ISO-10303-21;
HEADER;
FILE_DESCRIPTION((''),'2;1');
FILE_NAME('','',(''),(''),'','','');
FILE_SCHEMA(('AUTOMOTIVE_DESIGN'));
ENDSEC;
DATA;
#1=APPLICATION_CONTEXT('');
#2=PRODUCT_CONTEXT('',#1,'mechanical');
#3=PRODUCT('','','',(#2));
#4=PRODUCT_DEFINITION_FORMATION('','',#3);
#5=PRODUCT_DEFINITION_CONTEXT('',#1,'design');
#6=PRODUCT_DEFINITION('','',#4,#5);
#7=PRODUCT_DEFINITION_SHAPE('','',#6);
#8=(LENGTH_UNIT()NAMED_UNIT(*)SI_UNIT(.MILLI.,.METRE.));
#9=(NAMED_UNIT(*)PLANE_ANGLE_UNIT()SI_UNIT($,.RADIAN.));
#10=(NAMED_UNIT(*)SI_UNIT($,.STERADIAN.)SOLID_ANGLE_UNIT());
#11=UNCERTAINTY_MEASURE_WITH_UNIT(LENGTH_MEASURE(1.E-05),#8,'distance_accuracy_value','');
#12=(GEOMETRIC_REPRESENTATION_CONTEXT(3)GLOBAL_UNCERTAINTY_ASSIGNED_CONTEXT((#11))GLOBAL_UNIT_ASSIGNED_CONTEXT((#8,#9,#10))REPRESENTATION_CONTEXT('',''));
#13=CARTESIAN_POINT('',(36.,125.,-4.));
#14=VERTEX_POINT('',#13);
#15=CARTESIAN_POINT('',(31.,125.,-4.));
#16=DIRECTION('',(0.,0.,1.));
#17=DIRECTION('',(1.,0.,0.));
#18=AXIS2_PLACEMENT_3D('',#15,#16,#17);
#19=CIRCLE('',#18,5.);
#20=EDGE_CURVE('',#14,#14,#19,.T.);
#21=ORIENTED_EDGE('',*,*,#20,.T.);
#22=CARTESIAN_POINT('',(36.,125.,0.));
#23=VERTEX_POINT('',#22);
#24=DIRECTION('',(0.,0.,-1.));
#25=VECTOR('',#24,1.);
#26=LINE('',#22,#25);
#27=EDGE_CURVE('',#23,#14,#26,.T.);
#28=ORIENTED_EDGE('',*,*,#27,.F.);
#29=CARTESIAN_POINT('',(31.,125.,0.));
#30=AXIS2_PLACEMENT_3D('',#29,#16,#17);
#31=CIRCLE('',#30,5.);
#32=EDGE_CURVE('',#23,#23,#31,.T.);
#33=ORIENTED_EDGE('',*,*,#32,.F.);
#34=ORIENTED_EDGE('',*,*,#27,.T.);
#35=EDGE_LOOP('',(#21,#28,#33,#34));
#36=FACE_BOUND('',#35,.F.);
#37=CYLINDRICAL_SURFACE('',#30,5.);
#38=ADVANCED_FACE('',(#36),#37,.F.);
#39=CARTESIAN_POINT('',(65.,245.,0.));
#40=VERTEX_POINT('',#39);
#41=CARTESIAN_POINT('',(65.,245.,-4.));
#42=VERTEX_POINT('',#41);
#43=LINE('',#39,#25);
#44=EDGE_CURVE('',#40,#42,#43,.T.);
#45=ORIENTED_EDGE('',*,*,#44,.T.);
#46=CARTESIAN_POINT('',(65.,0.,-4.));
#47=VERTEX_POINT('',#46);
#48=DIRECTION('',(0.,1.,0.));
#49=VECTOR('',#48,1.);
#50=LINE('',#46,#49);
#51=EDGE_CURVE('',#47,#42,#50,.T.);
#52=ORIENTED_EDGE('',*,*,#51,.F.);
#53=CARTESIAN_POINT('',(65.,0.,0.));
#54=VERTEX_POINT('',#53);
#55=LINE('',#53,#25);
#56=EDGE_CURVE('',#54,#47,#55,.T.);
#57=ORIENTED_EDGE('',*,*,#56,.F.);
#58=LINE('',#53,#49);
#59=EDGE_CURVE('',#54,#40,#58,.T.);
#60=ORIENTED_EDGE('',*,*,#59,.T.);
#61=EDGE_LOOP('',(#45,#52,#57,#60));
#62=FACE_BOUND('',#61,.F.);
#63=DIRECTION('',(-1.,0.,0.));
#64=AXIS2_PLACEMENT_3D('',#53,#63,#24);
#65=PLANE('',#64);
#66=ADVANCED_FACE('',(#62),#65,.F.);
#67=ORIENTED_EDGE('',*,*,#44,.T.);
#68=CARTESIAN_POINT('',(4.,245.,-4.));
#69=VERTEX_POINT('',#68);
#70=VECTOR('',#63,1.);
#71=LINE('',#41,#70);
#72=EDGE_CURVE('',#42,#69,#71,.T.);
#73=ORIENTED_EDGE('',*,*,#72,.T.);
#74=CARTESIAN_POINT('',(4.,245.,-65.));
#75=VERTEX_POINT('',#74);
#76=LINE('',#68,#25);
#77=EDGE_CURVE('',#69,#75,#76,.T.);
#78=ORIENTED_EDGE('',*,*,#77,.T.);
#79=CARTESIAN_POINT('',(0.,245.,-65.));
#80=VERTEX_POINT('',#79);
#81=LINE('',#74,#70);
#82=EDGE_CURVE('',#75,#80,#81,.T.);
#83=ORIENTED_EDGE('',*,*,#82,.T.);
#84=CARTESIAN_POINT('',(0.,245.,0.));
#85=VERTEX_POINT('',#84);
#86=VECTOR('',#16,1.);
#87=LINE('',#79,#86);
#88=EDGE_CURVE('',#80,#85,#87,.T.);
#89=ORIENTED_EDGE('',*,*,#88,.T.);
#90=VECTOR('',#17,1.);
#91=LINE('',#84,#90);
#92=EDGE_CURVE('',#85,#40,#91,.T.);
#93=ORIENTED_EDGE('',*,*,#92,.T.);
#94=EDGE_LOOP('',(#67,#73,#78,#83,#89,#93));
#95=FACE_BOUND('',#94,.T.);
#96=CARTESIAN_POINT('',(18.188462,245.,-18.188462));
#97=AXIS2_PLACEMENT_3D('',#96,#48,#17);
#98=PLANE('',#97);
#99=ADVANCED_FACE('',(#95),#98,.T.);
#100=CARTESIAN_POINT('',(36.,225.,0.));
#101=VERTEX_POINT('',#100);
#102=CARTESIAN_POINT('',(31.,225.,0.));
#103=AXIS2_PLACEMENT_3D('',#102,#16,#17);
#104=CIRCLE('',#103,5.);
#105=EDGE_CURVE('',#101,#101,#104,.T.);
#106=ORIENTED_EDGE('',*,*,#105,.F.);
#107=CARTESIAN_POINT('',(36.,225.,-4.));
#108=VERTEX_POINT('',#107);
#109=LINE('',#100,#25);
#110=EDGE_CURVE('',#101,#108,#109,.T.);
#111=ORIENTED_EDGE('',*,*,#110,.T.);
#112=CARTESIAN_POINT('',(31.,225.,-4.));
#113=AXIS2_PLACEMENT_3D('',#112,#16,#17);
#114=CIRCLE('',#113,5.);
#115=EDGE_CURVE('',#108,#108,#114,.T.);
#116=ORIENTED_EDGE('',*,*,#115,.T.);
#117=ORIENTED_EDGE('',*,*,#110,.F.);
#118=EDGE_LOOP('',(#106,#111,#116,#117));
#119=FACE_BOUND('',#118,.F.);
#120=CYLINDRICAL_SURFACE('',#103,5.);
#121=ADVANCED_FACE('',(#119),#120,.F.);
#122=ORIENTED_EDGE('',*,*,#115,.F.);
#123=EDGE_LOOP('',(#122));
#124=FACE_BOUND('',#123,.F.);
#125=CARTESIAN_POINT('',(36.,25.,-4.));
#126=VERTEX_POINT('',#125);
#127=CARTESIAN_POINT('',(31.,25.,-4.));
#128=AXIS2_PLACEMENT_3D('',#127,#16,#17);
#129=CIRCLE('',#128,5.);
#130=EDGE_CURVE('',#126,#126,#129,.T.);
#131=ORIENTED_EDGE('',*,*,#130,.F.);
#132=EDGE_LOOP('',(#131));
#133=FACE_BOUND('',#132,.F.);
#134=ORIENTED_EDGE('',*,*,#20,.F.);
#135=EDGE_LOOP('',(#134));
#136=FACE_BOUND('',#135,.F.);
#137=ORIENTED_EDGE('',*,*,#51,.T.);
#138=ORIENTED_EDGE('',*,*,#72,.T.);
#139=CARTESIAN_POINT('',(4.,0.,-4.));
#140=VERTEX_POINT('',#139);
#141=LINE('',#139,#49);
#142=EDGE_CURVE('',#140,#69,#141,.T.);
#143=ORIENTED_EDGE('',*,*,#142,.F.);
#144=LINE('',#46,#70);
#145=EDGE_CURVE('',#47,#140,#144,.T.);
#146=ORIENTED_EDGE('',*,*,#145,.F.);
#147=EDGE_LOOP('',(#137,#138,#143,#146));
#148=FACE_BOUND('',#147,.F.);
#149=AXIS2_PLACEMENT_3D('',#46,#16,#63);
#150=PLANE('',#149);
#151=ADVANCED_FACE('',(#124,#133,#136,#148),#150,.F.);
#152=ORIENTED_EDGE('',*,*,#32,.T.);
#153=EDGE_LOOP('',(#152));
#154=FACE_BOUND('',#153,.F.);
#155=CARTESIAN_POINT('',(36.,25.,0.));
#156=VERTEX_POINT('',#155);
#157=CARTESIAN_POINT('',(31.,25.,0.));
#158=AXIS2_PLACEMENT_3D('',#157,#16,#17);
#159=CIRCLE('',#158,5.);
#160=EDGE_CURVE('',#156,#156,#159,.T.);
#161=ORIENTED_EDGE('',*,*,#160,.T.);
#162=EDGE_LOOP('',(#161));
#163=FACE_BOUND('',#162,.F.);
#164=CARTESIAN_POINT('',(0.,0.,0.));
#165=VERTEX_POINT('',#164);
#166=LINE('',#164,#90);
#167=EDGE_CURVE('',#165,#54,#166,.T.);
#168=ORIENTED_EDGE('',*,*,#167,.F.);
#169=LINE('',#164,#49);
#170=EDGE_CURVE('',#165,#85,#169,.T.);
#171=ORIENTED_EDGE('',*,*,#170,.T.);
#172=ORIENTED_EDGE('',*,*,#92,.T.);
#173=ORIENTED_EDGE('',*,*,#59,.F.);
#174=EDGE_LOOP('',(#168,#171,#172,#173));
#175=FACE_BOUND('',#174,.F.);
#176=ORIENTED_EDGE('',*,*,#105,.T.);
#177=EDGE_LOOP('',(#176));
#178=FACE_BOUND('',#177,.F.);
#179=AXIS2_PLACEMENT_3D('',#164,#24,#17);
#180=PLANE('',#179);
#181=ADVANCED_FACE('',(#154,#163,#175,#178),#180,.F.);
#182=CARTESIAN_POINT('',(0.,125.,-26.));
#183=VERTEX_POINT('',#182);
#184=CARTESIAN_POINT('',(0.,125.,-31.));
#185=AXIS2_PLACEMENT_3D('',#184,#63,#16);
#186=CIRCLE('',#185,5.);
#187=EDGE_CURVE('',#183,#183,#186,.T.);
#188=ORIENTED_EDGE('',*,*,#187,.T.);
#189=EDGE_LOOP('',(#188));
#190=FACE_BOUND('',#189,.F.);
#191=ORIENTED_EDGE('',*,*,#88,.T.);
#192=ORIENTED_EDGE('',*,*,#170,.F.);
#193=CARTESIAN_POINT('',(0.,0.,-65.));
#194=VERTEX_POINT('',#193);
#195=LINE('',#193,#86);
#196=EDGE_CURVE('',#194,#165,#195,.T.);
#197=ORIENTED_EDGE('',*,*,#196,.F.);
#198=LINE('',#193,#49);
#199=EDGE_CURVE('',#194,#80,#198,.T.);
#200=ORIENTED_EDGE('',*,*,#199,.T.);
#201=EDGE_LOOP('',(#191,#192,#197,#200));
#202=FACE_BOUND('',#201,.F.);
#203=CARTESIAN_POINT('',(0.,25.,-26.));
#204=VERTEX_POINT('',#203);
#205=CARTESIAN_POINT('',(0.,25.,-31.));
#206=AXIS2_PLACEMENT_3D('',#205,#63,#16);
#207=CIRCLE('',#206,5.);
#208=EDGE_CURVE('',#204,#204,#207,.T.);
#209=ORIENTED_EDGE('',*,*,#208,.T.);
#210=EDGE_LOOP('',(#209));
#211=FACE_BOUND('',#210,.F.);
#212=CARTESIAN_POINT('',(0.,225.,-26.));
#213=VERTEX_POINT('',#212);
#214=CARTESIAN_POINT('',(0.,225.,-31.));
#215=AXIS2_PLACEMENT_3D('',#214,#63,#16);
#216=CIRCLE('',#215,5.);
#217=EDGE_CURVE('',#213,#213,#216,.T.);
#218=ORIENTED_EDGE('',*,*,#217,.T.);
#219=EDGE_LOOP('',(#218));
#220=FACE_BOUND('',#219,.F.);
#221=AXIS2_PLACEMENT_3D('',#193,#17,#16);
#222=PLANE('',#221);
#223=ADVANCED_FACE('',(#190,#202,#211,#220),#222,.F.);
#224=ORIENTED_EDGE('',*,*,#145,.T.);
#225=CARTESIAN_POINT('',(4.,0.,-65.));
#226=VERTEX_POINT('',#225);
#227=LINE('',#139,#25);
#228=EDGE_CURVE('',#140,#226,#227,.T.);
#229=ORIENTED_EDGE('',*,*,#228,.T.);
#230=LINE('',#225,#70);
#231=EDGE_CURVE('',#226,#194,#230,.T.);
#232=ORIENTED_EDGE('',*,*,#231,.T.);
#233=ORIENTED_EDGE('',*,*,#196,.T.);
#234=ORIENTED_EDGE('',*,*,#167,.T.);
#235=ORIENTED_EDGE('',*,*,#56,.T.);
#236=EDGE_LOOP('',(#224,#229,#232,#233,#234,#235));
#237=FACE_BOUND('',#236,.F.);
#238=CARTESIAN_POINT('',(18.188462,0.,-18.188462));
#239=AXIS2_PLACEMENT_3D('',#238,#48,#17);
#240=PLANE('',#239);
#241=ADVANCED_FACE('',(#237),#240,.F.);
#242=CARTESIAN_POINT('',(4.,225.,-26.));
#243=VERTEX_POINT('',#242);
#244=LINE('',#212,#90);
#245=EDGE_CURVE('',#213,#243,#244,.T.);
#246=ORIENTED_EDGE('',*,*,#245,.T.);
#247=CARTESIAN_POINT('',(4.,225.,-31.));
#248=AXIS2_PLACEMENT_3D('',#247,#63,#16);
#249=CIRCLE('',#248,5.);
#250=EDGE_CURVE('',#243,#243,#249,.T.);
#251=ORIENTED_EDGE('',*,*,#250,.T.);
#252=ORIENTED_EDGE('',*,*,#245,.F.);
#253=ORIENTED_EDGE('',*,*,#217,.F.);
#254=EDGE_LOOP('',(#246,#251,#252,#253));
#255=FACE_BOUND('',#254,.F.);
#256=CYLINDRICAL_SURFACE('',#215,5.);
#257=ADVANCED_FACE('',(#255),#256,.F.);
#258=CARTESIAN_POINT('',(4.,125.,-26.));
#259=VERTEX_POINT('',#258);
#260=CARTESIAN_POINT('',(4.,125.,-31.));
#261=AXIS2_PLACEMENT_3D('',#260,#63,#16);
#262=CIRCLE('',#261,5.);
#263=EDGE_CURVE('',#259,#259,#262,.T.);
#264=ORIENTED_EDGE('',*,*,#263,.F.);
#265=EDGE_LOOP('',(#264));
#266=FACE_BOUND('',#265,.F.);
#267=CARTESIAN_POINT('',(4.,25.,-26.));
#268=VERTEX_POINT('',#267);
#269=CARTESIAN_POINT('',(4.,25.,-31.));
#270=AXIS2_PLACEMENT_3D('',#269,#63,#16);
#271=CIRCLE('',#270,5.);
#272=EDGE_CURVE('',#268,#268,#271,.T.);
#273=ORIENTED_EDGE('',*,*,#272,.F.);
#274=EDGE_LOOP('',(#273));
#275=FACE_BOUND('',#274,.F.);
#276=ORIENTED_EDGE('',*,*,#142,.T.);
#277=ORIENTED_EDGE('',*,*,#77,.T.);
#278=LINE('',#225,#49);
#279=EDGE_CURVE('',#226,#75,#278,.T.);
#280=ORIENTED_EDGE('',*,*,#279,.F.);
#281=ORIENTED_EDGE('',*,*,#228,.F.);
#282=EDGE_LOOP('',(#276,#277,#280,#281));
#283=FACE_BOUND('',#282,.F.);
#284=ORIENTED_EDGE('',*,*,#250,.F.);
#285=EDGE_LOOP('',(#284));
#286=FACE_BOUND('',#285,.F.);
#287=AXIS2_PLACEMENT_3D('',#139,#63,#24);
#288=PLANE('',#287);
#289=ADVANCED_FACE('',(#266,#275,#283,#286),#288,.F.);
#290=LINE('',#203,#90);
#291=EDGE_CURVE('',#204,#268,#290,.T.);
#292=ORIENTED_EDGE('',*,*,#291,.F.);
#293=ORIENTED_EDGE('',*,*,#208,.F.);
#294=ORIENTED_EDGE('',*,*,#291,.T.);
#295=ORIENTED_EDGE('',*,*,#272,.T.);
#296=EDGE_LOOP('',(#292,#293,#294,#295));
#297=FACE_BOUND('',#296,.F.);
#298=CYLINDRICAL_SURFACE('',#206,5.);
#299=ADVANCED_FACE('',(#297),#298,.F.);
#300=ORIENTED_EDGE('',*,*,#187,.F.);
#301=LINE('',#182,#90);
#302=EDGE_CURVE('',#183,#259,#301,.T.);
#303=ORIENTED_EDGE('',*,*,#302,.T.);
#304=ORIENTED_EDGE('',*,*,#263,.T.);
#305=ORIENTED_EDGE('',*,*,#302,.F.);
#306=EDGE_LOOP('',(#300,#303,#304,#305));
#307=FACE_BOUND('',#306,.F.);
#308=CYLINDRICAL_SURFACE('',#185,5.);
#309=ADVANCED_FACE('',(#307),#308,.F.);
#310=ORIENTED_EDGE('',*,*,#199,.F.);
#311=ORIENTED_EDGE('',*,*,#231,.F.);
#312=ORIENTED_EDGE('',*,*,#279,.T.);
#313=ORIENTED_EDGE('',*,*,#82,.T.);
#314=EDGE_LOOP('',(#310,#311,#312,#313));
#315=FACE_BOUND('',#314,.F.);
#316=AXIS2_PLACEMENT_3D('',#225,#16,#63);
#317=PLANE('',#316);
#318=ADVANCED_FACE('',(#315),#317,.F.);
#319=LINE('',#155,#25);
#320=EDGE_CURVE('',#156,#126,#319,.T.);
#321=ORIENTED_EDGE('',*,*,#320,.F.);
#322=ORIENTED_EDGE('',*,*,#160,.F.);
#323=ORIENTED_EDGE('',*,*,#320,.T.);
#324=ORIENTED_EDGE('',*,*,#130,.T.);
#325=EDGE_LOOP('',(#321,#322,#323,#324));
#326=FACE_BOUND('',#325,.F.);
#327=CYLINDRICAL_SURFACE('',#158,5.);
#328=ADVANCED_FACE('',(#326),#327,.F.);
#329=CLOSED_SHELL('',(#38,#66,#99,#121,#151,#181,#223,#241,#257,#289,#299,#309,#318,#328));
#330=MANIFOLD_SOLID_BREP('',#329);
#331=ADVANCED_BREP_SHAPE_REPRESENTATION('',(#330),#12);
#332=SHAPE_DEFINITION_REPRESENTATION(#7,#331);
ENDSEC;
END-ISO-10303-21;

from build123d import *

# Parameters (mm, degrees)
EXTRUDE_1_DEPTH     = 245
SKETCH_2_R          = 5
CUT_EXTRUDE_1_DEPTH = 10
SKETCH_3_R          = 5
CUT_EXTRUDE_2_DEPTH = 10


with BuildPart() as part:
    # Эскиз1 → Вытянуть-Тонкостенный1 (new body)
    with BuildSketch(Plane(origin=(0, 0, 0), x_dir=(1, 0, 0), z_dir=(0, 1, 0))):
        Polygon((0, 65), (0, 0), (65, 0), (65, 4), (4, 4), (4, 65), align=None)
    extrude(amount=EXTRUDE_1_DEPTH)

    # Эскиз2 → Вырез-Вытянуть1 (cut)
    with BuildSketch(Plane.XY):
        with Locations((31, 225)):
            Circle(SKETCH_2_R)
        with Locations((31, 125)):
            Circle(SKETCH_2_R)
        with Locations((31, 25)):
            Circle(SKETCH_2_R)
    extrude(amount=-CUT_EXTRUDE_1_DEPTH, mode=Mode.SUBTRACT)

    # Эскиз3 → Вырез-Вытянуть2 (cut)
    with BuildSketch(Plane.ZY):
        with Locations((-31, 225)):
            Circle(SKETCH_3_R)
        with Locations((-31, 125)):
            Circle(SKETCH_3_R)
        with Locations((-31, 25)):
            Circle(SKETCH_3_R)
    extrude(amount=-CUT_EXTRUDE_2_DEPTH, mode=Mode.SUBTRACT)


solid = part.part
